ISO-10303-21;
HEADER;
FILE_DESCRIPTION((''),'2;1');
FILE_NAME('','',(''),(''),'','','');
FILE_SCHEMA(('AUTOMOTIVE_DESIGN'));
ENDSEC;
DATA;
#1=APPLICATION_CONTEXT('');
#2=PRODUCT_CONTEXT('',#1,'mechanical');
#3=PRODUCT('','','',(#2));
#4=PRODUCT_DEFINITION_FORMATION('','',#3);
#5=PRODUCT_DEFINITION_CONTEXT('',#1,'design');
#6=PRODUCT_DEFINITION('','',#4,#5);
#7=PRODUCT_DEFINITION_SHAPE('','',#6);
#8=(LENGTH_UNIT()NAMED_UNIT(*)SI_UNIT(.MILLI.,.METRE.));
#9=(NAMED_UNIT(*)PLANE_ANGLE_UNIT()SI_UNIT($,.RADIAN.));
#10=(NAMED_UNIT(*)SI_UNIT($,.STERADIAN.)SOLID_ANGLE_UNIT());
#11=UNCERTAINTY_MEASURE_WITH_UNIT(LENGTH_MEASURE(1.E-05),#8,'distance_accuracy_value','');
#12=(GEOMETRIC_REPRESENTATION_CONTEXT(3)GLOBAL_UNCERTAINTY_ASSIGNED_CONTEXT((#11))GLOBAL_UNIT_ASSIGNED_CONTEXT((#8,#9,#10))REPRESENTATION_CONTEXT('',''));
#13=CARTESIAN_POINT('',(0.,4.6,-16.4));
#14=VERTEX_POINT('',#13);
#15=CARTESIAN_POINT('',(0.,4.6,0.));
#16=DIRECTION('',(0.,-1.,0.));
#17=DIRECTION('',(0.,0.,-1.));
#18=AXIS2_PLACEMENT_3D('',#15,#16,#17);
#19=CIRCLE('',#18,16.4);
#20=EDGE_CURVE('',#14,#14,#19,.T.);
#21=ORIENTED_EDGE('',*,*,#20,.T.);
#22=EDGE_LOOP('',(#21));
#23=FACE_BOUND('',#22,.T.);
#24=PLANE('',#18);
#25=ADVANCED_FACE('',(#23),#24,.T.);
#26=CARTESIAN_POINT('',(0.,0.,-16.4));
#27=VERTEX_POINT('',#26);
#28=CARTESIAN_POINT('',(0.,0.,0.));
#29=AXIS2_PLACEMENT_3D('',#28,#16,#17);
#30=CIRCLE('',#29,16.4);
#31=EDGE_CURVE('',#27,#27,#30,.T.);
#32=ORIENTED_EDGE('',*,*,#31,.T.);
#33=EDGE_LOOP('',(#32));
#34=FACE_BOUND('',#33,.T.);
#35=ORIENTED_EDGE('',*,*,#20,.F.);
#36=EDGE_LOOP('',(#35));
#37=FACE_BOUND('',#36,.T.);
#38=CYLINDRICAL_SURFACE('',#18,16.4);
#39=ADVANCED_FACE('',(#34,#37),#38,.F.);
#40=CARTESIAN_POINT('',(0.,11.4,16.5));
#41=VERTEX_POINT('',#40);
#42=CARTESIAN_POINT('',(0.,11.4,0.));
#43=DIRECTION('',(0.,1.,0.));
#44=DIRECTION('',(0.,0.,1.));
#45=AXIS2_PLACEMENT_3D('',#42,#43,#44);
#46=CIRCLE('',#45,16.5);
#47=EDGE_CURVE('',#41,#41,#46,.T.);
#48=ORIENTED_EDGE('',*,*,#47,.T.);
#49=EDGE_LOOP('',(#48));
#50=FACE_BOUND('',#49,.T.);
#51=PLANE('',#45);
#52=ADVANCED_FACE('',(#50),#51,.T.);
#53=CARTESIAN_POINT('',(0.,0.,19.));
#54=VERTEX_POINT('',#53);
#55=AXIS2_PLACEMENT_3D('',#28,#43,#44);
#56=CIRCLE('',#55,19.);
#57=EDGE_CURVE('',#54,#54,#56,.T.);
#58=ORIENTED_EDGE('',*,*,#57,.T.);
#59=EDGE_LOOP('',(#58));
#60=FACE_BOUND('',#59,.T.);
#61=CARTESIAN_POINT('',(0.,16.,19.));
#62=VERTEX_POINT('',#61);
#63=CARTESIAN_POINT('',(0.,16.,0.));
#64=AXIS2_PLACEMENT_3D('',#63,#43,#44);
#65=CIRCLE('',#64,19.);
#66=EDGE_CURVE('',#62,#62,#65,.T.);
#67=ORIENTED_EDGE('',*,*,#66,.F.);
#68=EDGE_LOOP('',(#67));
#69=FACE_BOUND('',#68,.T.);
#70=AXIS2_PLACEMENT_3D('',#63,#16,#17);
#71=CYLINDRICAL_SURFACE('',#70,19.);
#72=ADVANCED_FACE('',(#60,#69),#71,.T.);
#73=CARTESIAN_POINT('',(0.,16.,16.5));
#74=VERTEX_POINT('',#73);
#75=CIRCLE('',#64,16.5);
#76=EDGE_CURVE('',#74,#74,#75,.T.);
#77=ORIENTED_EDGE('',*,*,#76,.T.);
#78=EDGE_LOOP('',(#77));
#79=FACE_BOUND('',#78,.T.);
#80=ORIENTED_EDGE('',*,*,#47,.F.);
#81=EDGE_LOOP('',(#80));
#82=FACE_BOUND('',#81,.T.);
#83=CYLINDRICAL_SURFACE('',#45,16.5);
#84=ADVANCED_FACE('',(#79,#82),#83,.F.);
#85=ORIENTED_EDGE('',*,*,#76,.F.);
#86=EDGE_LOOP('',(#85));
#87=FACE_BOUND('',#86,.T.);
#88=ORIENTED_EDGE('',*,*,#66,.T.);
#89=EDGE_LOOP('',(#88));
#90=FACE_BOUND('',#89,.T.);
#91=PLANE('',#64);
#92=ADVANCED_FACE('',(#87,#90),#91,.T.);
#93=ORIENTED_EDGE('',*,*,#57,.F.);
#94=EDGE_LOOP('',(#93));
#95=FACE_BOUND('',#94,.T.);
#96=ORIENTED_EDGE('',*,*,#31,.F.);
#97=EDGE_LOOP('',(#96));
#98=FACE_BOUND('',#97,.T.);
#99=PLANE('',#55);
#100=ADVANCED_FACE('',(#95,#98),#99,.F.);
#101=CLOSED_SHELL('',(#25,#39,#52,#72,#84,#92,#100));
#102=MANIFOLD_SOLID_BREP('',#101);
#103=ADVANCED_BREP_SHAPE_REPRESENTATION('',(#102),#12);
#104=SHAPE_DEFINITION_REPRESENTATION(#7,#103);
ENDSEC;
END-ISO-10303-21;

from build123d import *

# Parameters (mm, degrees)
SKETCH_1_R          = 19
EXTRUDE_1_DEPTH     = 16
SKETCH_2_R          = 16.5
CUT_EXTRUDE_1_DEPTH = 4.6
SKETCH_3_R          = 16.4
CUT_EXTRUDE_2_DEPTH = 4.6


with BuildPart() as part:
    # 草图1 → 凸台-拉伸1 (new body)
    with BuildSketch(Plane(origin=(0, 0, 0), x_dir=(1, 0, 0), z_dir=(0, 1, 0))):
        with Locations(Location((0, 0, 0), (0, 0, 270))):
            Circle(SKETCH_1_R)
    extrude(amount=EXTRUDE_1_DEPTH)

    # 草图2 → 切除-拉伸1 (cut)
    with BuildSketch(Plane(origin=(0, 16, 0), x_dir=(1, 0, 0), z_dir=(0, 1, 0))):
        with Locations(Location((0, 0, 0), (0, 0, 270))):
            Circle(SKETCH_2_R)
    extrude(amount=-CUT_EXTRUDE_1_DEPTH, mode=Mode.SUBTRACT)

    # 草图3 → 切除-拉伸2 (cut)
    with BuildSketch(Plane.XZ):
        with Locations(Location((0, 0, 0), (0, 0, 270))):
            Circle(SKETCH_3_R)
    extrude(amount=-CUT_EXTRUDE_2_DEPTH, mode=Mode.SUBTRACT)


solid = part.part
